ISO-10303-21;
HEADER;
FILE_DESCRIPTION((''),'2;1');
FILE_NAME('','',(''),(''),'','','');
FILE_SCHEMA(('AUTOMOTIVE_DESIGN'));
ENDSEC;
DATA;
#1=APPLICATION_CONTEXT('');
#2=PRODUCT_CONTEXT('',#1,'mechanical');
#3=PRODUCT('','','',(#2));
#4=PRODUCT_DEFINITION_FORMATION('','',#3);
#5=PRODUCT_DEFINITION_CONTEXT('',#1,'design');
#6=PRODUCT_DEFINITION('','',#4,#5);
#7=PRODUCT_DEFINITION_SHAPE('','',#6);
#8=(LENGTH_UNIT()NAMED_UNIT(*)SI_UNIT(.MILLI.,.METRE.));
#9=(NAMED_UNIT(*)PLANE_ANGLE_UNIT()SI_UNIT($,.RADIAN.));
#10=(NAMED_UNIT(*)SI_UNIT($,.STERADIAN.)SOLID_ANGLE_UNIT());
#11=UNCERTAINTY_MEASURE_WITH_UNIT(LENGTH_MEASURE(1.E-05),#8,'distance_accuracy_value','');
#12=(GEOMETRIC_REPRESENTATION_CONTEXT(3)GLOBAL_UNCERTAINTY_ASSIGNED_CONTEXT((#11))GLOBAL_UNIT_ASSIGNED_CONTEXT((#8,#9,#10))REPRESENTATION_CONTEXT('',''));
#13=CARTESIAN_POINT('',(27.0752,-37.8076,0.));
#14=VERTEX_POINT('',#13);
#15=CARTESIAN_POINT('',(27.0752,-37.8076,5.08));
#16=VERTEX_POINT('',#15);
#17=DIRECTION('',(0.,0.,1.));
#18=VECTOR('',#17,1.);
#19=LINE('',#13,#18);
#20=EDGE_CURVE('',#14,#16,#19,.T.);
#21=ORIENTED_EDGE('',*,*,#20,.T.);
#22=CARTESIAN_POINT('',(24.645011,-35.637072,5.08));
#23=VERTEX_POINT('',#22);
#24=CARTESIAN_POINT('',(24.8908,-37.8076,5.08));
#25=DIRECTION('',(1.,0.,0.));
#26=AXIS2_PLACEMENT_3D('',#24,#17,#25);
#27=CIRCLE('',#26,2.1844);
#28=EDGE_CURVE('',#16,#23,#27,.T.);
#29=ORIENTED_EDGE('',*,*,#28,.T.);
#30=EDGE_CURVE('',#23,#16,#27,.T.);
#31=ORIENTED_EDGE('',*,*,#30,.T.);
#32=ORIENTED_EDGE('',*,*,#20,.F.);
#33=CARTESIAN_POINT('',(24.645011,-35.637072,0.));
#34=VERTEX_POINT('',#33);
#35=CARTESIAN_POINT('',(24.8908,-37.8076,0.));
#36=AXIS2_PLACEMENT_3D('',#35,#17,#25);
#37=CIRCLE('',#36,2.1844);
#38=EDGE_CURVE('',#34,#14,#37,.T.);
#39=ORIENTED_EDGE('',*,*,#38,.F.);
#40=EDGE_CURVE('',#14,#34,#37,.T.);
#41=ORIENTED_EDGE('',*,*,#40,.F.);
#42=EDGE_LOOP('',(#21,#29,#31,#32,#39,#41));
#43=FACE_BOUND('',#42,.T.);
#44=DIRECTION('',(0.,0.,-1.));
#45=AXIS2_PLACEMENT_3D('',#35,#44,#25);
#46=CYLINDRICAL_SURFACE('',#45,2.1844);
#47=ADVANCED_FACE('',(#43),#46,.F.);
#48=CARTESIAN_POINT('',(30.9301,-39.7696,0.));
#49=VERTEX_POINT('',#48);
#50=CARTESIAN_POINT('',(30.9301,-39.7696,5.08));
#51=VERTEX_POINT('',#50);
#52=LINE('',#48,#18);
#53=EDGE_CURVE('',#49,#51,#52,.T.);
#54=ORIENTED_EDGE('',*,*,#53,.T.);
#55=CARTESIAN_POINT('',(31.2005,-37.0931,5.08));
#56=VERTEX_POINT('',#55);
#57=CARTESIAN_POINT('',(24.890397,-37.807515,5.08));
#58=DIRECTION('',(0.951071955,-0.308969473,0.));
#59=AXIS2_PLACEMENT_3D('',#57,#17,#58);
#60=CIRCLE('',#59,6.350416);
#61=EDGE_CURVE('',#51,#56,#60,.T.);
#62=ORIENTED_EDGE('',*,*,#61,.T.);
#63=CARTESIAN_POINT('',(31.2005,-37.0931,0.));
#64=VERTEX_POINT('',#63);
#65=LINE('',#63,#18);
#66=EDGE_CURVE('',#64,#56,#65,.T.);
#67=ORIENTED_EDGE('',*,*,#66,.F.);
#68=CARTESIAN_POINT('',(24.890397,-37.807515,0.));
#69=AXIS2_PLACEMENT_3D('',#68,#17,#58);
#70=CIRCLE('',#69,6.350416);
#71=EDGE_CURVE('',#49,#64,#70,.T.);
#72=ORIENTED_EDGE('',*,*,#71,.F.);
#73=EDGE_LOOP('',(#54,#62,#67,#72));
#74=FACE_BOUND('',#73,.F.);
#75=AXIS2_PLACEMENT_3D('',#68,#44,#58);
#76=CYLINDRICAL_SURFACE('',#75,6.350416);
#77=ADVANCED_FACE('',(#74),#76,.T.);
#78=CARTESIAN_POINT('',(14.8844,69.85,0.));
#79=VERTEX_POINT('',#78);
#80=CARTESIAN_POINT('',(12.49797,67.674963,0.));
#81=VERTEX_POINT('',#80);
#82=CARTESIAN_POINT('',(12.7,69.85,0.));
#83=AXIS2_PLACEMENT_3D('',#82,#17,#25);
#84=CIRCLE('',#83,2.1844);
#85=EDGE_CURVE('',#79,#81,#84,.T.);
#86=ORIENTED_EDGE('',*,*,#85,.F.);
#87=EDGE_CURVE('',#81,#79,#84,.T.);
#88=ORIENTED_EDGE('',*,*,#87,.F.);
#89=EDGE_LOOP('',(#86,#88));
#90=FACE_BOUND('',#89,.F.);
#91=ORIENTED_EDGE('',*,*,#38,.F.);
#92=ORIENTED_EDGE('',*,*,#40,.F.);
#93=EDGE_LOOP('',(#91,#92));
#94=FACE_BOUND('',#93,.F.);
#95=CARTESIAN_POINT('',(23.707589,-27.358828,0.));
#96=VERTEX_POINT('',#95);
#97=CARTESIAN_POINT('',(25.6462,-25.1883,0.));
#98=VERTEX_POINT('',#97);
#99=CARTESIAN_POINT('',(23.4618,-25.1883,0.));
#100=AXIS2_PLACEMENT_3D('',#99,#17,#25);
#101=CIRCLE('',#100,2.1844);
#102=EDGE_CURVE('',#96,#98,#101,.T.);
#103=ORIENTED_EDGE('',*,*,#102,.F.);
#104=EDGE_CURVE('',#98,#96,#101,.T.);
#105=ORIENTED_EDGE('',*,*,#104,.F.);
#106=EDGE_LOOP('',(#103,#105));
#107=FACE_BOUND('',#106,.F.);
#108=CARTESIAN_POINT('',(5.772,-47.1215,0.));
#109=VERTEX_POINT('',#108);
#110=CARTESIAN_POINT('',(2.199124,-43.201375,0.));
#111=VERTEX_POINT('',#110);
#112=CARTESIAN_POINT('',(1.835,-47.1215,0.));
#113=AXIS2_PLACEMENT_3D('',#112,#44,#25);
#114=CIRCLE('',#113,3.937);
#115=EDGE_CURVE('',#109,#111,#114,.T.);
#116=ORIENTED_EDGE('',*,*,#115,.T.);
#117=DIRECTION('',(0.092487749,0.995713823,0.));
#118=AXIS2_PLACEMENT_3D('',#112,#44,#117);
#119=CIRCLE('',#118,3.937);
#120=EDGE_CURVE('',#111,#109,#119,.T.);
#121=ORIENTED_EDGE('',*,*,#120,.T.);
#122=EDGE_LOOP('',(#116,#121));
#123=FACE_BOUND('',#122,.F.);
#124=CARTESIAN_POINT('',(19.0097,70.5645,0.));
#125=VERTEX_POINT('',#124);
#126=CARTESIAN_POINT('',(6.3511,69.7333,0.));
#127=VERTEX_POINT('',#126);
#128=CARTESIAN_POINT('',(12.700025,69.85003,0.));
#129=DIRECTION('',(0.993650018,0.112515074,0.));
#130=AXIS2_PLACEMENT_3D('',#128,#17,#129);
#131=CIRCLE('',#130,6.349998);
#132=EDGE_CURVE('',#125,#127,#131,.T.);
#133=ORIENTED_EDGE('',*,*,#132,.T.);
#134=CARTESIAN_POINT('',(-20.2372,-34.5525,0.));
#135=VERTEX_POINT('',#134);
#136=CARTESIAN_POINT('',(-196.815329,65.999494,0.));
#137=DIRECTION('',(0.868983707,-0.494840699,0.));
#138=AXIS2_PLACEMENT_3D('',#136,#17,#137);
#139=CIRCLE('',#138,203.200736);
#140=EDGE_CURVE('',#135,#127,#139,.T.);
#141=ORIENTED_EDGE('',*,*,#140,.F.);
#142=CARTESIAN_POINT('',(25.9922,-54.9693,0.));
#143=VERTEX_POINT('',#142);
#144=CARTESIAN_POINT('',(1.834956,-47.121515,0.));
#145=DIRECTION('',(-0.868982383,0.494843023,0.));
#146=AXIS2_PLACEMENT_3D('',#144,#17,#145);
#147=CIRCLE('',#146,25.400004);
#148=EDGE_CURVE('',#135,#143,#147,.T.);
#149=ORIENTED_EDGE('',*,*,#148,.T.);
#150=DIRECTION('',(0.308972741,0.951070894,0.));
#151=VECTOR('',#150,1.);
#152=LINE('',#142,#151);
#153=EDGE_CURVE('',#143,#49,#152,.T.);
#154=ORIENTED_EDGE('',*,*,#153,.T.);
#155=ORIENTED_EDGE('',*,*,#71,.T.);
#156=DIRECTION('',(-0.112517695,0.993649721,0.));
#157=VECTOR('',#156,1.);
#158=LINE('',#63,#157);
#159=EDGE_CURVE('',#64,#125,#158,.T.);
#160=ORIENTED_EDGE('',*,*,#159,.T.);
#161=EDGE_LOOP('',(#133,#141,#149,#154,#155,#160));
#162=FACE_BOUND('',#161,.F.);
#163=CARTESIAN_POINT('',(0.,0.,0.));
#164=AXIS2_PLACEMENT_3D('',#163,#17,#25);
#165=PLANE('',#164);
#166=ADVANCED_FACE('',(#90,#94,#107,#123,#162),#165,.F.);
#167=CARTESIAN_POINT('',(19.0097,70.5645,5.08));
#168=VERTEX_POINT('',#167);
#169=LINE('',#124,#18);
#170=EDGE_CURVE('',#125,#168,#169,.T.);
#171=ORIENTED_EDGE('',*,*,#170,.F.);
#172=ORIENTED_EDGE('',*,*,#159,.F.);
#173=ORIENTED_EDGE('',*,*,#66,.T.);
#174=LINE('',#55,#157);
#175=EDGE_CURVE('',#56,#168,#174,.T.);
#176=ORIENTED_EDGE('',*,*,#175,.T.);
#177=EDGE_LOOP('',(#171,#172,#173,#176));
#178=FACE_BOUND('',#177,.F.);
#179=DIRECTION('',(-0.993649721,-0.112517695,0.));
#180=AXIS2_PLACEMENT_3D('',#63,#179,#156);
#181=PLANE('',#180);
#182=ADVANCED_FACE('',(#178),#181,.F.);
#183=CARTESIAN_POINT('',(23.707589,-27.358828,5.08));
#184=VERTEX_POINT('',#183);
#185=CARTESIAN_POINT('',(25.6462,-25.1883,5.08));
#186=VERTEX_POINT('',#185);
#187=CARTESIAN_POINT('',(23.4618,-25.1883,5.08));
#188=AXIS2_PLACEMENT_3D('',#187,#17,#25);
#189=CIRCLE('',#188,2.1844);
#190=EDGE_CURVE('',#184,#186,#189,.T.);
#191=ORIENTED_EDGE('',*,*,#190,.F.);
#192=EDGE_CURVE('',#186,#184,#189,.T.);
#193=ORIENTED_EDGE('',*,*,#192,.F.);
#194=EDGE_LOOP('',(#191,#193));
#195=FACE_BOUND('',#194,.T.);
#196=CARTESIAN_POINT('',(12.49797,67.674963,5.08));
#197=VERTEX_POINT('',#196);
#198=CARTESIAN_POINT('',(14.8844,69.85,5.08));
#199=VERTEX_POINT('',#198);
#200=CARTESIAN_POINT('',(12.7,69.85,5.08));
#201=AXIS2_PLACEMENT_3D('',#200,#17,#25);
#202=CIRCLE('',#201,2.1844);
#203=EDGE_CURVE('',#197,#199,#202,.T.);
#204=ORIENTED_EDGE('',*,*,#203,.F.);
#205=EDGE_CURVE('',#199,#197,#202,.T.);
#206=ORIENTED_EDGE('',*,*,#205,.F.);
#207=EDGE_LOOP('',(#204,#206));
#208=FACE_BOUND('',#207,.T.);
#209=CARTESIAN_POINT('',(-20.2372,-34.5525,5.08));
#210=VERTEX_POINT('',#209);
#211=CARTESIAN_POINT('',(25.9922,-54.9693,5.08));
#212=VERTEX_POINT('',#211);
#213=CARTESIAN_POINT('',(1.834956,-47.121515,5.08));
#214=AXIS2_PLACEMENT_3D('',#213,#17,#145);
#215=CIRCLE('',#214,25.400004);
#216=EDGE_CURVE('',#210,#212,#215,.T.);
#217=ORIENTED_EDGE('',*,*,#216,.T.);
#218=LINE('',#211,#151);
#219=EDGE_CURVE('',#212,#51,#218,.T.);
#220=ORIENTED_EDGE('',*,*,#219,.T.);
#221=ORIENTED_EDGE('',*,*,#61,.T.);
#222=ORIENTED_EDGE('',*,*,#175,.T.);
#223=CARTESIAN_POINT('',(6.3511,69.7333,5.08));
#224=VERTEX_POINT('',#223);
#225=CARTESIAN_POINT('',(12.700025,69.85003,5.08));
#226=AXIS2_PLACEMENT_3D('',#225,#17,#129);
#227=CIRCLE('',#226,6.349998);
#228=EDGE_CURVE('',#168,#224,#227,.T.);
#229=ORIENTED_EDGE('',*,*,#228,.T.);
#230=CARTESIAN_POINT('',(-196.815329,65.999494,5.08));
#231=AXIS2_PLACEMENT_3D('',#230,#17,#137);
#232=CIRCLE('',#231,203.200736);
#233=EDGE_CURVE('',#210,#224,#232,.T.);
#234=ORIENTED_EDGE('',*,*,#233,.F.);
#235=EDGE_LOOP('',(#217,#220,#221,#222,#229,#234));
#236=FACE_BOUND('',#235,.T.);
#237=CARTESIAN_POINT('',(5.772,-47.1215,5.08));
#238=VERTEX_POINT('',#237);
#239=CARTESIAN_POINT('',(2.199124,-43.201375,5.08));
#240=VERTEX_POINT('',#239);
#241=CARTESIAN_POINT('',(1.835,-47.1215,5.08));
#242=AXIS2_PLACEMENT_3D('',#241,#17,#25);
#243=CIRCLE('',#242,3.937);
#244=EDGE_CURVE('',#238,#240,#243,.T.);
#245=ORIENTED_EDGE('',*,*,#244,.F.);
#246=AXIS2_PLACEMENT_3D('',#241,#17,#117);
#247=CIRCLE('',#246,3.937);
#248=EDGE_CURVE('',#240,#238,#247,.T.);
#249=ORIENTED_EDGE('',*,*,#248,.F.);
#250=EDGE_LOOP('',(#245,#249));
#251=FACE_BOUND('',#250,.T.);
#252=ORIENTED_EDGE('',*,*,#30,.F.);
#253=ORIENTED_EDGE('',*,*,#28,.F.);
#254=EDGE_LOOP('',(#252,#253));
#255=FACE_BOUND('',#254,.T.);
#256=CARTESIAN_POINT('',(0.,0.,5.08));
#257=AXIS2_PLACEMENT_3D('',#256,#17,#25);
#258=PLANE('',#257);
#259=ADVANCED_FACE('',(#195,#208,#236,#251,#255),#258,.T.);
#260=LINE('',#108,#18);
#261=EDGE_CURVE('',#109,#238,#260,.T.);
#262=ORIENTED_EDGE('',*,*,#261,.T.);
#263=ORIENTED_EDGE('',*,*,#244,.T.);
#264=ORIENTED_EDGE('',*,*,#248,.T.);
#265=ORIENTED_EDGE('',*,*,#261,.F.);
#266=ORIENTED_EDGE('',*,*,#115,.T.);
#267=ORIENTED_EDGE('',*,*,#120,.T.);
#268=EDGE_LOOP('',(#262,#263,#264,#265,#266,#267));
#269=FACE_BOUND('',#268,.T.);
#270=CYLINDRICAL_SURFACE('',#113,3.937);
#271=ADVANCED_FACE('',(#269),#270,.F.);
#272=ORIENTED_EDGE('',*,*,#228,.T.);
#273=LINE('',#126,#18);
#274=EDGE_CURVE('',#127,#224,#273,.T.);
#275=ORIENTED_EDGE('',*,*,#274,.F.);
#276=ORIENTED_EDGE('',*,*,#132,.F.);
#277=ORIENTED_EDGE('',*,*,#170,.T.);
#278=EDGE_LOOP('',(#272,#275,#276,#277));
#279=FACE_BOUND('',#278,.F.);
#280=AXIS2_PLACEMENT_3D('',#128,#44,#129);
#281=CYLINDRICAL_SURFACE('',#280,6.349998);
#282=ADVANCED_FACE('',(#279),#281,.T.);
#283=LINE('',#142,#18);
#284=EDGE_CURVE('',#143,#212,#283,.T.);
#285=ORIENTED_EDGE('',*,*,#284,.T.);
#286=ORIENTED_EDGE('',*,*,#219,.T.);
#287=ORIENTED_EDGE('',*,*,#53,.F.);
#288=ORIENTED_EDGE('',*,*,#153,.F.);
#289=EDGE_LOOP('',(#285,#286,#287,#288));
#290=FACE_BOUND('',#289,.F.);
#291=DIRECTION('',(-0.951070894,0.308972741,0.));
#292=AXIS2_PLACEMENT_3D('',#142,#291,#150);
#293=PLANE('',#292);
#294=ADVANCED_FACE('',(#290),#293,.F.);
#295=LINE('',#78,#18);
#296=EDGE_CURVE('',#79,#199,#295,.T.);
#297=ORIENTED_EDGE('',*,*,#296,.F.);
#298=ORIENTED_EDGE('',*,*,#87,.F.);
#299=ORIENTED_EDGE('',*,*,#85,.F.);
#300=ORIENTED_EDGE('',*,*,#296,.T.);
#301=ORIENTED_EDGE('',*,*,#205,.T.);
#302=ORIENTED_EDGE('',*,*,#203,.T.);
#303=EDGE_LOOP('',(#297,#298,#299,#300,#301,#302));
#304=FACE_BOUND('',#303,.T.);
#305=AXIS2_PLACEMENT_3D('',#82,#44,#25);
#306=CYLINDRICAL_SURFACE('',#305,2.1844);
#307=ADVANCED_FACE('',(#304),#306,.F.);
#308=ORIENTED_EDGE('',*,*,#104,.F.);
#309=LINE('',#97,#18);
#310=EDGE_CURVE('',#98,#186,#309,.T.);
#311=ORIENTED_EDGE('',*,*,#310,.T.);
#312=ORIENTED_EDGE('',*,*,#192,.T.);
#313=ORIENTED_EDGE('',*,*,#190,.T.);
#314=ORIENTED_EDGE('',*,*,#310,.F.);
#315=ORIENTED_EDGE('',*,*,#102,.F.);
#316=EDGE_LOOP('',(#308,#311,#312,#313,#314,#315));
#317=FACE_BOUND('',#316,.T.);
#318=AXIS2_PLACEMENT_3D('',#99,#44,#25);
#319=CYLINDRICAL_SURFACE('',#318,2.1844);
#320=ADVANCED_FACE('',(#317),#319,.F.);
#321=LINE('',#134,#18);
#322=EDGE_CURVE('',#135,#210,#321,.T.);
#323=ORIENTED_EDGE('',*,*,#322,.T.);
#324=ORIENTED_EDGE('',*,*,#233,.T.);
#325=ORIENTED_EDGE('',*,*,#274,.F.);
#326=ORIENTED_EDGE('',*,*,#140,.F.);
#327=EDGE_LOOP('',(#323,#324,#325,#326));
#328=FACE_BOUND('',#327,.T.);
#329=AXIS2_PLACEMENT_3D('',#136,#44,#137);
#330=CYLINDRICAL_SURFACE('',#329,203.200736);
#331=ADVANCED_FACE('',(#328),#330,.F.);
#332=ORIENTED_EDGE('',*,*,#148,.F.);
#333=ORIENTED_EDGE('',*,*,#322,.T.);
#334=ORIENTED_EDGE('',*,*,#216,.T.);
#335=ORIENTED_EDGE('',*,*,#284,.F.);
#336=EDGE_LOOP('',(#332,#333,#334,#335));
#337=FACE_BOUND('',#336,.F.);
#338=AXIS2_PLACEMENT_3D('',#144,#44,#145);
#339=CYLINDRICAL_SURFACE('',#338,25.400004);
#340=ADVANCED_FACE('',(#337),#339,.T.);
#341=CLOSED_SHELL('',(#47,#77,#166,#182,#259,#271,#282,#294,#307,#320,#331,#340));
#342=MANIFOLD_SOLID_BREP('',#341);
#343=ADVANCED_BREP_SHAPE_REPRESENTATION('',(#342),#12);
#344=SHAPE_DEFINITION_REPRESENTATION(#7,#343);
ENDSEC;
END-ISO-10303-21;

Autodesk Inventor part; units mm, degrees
ref_plane "YZ Plane" through (0, 0, 0) normal (1, 0, 0) x (0, 1, 0)
ref_plane "XZ Plane" through (0, 0, 0) normal (0, 1, 0) x (-1, 0, 0)
ref_plane "XY Plane" through (0, 0, 0) normal (0, 0, 1) x (1, 0, 0)
sketch "Sketch1" plane through (0, 0, 0) normal (0, 0, 1) x (1, 0, 0)
  circle A0 centre (1.835, -47.1215) radius 2.1844
  circle A1 centre (12.7, 69.85) radius 2.1844 projected
  arc A2 (19.0097, 70.5645) -> (6.3511, 69.7333) centre (12.7, 69.85) ccw
  arc A3 (-20.2372, -34.5525) -> (25.9922, -54.9693) centre (1.835, -47.1215) ccw
  line L0 (25.9922, -54.9693) -> (30.9301, -39.7696)
  line L1 (31.2005, -37.0931) -> (19.0097, 70.5645)
  arc A4 (-20.2372, -34.5525) -> (6.3511, 69.7333) centre (-196.8146, 65.9992) ccw
  arc A5 (30.9301, -39.7696) -> (31.2005, -37.0931) centre (24.8908, -37.8076) ccw
  line L2 (5.0608, -43.8957) -> (-1.3908, -43.8957)
  line L3 (-1.3908, -43.8957) -> (-1.3908, -50.3473)
  line L4 (-1.3908, -50.3473) -> (5.0608, -50.3473)
  line L5 (5.0608, -50.3473) -> (5.0608, -43.8957)
  line L6 (5.0608, -43.8957) -> (-1.3908, -50.3473) construction
  line L7 (-1.3908, -43.8957) -> (5.0608, -50.3473) construction
  circle A6 centre (1.835, -47.1215) radius 3.937
  circle A7 centre (24.8908, -37.8076) radius 2.1844
  circle A8 centre (23.4618, -25.1883) radius 2.1844
  line L8 (24.8908, -37.8076) -> (23.4618, -25.1883)
  line L9 (1.835, -47.1215) -> (12.7, 69.85)
  point P0 (0, 0)
  dimension "d0" = 12.7
  dimension "d2" = 50.8
  dimension "d3" = 203.2
  dimension "d4" = 6.35
  dimension "d7" = 6.4516
  dimension "d8" = 6.4516
  dimension "d10" = 7.874
  dimension "d11" = 4.3688
  dimension "d12" = 4.3688
  dimension "d14" = 12.7
  dimension "d15" = 117.475
extrude "Extrusion1" add sketch "Sketch1" along normal blind 5.08 contours L2 L5 A6 | A6 L3 L2 | L5 L4 A6 | A6 L4 L3 | L1 A5 L0 A3 A4 A2
properties part number "intakeSide"
